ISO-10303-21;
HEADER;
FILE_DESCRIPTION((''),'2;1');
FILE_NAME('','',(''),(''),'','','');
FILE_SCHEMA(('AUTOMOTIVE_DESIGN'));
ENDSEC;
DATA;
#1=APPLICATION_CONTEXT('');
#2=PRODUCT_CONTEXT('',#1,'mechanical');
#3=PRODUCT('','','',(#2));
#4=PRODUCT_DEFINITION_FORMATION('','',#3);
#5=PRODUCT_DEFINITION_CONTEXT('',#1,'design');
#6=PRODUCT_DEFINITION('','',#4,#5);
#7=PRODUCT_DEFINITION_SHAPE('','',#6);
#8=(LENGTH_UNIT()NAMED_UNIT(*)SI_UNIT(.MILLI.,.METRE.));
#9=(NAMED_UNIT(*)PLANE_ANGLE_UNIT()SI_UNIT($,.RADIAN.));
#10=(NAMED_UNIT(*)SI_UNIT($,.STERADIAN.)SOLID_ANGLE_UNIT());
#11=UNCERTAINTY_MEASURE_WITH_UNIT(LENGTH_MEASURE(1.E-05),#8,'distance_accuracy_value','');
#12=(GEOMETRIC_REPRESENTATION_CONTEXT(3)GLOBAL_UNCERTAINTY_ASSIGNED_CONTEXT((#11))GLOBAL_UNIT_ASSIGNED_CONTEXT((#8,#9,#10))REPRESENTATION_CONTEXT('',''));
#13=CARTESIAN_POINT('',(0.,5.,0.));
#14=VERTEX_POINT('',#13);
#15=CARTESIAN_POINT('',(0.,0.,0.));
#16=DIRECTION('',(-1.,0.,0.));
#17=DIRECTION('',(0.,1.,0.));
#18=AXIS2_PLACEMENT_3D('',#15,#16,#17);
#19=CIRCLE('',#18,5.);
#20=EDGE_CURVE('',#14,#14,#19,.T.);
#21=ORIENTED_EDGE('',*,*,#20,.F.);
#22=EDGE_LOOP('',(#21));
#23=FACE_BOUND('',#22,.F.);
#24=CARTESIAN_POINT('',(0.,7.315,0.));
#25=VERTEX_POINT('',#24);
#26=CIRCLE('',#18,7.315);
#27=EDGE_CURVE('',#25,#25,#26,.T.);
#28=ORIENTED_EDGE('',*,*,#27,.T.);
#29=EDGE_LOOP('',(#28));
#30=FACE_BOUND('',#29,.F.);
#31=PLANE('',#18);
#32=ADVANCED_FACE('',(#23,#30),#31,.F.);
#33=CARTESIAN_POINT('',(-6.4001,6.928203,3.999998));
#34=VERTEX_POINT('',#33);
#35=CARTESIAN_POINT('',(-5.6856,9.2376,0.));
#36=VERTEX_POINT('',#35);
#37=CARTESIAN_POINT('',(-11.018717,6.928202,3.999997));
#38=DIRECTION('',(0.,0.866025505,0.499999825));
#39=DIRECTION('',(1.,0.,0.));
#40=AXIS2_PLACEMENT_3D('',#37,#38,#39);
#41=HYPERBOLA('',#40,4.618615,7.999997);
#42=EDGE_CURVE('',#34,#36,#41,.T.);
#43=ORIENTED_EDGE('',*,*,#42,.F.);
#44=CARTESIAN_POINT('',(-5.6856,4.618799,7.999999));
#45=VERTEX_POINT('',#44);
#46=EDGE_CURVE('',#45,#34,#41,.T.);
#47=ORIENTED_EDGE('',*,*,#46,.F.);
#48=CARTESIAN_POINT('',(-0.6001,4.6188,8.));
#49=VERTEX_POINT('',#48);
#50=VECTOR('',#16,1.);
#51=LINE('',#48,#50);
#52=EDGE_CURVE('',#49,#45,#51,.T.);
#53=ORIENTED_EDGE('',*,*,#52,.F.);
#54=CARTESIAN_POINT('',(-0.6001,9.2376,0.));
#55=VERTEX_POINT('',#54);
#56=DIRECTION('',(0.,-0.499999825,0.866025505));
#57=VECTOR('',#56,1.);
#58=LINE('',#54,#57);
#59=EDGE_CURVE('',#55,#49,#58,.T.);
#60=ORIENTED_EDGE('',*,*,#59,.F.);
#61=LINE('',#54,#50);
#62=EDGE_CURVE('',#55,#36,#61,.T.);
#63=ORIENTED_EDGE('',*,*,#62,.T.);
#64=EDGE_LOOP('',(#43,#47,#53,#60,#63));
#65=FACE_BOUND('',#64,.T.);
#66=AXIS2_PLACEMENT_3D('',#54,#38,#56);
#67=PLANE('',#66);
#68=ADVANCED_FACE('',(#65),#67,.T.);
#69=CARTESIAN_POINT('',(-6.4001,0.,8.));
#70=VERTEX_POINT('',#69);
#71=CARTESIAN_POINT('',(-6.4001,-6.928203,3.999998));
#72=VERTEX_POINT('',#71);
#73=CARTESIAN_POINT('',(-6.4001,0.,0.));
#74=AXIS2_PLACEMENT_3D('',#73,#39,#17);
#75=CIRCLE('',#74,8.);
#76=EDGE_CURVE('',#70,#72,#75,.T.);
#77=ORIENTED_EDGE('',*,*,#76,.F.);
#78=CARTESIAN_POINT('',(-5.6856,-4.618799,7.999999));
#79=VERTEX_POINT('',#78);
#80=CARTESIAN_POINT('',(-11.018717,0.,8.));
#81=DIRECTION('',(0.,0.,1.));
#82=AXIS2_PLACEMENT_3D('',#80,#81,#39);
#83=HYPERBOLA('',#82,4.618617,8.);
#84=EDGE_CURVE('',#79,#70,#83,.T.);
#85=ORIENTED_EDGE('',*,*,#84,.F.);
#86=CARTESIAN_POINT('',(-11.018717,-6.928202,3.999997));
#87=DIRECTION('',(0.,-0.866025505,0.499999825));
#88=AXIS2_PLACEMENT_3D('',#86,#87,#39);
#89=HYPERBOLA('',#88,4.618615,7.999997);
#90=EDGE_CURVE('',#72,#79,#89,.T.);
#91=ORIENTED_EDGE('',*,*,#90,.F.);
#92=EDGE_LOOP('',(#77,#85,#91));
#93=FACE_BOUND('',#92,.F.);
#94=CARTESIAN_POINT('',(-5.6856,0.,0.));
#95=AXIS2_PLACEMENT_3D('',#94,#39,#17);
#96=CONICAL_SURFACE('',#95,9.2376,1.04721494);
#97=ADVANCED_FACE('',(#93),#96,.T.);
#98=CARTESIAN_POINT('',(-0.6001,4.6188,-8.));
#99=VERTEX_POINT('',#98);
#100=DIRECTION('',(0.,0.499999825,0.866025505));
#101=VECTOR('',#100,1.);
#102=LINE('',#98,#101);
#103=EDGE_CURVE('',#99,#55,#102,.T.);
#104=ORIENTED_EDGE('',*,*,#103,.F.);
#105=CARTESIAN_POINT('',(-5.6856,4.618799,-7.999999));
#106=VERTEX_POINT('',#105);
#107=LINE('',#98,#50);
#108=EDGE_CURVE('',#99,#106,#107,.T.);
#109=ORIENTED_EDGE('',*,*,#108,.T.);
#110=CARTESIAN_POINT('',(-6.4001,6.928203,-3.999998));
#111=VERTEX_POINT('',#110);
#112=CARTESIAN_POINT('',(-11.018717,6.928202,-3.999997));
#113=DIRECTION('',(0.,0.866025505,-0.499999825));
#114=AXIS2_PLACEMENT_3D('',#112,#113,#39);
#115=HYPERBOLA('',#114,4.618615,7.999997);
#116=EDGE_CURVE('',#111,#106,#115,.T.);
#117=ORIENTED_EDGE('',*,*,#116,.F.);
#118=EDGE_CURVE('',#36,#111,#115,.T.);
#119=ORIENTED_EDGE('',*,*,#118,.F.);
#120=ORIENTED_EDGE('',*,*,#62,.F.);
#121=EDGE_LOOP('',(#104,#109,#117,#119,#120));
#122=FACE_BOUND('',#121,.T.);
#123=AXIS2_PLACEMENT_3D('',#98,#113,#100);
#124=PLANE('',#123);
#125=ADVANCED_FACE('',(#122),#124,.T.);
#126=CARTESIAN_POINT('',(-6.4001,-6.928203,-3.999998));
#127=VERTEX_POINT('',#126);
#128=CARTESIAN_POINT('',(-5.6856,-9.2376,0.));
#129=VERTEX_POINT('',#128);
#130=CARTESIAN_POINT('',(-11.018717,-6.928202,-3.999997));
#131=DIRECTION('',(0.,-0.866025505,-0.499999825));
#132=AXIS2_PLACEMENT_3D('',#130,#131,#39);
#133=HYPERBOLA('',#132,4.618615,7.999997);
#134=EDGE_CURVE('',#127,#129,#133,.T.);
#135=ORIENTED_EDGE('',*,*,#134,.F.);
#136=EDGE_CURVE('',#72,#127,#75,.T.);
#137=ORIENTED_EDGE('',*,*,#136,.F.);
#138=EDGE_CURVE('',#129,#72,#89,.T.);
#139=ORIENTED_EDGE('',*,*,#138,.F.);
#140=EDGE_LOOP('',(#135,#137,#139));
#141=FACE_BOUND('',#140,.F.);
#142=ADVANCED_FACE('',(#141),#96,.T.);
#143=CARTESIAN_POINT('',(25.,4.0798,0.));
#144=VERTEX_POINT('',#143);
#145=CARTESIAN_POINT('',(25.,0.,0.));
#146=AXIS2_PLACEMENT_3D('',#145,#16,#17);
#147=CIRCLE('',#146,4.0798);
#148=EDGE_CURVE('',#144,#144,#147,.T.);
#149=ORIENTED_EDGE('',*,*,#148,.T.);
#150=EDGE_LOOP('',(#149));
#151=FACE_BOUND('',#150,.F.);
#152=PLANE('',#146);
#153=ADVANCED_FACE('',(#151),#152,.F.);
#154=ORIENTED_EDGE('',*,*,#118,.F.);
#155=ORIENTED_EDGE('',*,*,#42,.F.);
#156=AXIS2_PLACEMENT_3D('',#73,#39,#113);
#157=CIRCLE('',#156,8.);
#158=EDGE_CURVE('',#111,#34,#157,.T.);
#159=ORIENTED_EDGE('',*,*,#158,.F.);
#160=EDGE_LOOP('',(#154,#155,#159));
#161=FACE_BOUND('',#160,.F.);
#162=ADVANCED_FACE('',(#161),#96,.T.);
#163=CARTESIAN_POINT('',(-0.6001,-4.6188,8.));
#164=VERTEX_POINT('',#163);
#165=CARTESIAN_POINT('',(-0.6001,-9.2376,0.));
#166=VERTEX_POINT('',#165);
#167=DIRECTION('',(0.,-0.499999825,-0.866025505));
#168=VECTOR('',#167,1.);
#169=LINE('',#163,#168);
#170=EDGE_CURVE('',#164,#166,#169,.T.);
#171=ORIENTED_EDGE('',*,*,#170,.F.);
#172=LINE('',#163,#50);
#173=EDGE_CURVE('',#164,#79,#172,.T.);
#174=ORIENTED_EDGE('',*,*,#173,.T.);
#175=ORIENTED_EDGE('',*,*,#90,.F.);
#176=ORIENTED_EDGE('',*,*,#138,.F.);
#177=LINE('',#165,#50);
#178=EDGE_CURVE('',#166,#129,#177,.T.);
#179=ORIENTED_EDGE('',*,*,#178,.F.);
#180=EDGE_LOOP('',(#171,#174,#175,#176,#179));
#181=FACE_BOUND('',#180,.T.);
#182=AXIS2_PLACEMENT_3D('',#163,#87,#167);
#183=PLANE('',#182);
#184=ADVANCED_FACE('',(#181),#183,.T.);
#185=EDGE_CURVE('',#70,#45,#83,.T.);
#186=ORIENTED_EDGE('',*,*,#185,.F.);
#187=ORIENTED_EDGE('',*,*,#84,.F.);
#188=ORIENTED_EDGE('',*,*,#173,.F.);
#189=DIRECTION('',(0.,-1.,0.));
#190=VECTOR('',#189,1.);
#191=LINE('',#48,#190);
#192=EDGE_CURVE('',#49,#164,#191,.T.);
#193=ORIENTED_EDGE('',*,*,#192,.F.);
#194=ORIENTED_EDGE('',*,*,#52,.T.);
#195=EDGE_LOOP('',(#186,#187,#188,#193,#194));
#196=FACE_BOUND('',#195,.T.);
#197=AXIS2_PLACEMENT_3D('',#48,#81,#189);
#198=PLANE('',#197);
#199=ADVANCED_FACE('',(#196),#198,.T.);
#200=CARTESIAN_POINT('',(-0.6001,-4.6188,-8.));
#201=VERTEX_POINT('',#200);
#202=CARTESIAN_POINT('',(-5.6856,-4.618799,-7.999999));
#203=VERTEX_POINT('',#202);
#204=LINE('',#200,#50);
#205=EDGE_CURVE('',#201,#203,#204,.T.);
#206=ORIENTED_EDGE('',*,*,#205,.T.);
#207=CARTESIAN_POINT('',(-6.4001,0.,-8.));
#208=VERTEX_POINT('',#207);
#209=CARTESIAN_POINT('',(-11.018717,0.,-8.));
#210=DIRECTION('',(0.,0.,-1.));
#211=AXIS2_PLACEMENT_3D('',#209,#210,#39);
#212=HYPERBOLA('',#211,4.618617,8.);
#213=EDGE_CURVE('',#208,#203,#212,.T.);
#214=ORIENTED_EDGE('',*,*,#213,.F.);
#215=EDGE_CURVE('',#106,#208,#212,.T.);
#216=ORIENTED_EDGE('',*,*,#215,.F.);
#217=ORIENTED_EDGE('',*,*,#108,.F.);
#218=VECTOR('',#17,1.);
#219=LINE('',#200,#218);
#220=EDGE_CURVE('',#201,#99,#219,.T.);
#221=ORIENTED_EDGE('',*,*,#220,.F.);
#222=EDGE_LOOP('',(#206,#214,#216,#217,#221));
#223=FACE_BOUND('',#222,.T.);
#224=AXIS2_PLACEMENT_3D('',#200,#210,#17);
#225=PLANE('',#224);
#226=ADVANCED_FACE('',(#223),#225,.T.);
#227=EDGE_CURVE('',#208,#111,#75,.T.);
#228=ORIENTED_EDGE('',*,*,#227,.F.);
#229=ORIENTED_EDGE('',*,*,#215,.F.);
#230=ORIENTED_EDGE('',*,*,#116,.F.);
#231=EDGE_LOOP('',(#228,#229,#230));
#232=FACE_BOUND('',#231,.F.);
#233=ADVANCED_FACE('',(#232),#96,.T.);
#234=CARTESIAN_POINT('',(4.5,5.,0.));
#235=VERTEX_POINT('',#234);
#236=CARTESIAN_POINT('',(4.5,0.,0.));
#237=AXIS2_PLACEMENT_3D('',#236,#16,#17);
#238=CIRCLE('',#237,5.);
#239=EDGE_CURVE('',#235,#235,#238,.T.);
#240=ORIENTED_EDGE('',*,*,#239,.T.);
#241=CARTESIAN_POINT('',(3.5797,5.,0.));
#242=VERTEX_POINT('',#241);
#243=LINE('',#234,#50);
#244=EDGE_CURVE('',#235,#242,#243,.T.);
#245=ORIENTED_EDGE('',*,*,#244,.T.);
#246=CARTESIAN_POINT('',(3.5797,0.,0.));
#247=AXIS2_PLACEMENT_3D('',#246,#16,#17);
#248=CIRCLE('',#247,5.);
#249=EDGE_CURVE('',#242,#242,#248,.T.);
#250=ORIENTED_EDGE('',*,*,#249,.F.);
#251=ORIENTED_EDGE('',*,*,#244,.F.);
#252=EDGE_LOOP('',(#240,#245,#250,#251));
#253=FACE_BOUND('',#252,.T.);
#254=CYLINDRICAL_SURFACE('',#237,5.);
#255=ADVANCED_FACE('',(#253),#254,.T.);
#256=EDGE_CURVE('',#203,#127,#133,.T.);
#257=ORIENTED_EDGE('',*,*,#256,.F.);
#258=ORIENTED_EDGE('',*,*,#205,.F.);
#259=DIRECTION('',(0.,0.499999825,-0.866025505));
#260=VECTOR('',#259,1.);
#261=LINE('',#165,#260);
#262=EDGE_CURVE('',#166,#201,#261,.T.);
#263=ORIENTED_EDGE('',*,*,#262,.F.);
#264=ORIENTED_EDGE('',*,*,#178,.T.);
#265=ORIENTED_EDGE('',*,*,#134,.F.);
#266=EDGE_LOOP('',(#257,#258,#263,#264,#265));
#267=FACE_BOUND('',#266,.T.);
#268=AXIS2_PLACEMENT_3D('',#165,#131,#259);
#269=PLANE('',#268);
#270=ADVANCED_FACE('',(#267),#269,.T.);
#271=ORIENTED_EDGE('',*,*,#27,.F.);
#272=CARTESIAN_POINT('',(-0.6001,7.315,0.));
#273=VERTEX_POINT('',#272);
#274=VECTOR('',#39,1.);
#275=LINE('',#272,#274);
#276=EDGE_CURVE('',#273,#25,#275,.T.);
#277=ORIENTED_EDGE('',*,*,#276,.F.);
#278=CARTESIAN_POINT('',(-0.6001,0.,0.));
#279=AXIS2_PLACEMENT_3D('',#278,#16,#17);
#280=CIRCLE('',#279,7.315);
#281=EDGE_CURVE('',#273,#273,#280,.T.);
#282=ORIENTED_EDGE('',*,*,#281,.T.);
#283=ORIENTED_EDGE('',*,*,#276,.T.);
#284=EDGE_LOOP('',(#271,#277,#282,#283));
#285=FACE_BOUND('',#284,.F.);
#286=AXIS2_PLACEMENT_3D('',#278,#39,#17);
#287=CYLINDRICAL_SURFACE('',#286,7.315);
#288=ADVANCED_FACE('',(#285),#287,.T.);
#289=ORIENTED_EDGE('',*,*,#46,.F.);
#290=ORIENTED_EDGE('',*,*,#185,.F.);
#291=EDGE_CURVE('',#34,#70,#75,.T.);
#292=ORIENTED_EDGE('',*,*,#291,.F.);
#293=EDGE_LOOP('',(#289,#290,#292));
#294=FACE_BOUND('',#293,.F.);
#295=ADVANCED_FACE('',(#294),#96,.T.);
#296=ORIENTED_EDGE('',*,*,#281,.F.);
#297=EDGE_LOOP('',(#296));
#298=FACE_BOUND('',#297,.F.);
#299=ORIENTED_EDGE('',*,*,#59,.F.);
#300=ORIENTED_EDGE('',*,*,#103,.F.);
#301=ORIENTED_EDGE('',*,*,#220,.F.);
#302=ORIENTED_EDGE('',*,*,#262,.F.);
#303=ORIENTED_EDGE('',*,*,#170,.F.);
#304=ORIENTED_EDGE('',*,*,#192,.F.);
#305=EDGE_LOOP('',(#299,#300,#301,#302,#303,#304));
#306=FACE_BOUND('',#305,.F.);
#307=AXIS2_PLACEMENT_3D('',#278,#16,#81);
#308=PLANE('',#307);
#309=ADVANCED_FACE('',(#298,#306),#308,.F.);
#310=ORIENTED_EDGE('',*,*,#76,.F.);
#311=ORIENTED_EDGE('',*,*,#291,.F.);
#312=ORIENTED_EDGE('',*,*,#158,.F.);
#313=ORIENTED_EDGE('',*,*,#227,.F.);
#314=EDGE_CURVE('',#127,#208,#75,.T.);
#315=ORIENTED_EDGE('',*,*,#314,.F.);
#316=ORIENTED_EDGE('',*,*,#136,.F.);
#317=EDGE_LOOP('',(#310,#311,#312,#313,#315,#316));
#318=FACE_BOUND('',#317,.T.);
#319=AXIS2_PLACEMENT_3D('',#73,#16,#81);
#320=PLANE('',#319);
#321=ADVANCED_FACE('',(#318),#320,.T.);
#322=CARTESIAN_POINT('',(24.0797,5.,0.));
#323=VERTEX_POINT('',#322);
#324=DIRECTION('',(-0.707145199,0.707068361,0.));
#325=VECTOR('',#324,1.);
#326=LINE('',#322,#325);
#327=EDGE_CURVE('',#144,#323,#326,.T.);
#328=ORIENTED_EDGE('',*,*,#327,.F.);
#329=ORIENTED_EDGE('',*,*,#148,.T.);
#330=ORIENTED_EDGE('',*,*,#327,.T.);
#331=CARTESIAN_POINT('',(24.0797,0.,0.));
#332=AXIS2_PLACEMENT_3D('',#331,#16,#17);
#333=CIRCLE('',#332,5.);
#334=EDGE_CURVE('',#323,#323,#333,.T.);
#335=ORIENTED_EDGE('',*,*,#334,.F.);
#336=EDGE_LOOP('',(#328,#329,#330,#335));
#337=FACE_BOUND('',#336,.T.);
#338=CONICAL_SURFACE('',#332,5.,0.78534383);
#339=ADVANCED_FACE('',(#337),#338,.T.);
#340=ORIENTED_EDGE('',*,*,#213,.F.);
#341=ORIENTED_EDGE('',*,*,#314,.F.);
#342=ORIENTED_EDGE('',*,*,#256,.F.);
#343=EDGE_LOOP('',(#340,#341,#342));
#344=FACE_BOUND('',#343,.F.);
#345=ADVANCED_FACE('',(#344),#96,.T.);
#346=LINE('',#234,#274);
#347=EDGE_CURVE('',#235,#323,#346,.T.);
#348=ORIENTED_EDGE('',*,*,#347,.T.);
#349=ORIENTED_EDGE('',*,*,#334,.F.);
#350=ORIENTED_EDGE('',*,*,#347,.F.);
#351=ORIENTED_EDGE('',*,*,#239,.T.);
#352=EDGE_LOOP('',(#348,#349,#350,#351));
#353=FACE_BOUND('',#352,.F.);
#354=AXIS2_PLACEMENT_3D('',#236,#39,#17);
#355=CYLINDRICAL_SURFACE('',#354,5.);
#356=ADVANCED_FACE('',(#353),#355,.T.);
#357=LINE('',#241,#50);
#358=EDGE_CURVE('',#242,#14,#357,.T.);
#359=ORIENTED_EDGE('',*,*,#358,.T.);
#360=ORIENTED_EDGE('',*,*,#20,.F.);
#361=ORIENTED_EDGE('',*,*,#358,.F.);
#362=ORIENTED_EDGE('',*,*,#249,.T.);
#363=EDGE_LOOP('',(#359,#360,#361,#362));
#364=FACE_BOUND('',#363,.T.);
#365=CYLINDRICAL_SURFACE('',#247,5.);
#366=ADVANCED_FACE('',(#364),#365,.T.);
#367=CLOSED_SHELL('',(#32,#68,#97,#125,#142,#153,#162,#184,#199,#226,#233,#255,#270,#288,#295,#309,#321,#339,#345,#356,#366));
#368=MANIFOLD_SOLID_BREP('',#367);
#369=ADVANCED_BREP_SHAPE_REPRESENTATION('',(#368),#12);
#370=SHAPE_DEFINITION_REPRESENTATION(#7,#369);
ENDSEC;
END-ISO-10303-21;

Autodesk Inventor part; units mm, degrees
ref_plane "YZ Plane" through (0, 0, 0) normal (1, 0, 0) x (0, 1, 0)
ref_plane "XZ Plane" through (0, 0, 0) normal (0, 1, 0) x (-1, 0, 0)
sketch "Sketch1" plane through (0, 0, 0) normal (0, 0, 1) x (1, 0, 0)
  line L0 (0, 7.315) -> (0, 5)
  line L1 (4.5, 5) -> (25, 5)
  line L2 (25, 5) -> (25, 0)
  line L3 (25, 0) -> (-0.6001, 0)
  line L4 (-5.7201, 0) -> (30.12, 0) projected
  line L5 (-0.6001, 0) -> (-0.6001, 7.315)
  line L6 (-0.6001, 7.315) -> (0, 7.315)
  line L7 (4.5, 5) -> (3.5797, 5)
  line L8 (3.5797, 5) -> (0, 5)
  line L9 (0, -1.463) -> (0, 8.778) projected
  dimension "d0" = 25
  dimension "d1" = 20.5
  dimension "d2" = 10
  dimension "d9" = 0.6001
  dimension "d10" = 14.63
  dimension "d13" = 0.9203
  dimension "d14" = 10
revolve "Body" add sketch "Sketch1" angle 360 about axis through (25, 0, 0) along (-1, 0, 0)
sketch "Sketch2" plane through (-0.6001, 0, 0) normal (-1, 0, 0) x (0, 0, 1)
  line L0 (0, 9.2376) -> (8, 4.6188)
  line L1 (8, 4.6188) -> (8, -4.6188)
  line L2 (8, -4.6188) -> (0, -9.2376)
  line L3 (0, -9.2376) -> (-8, -4.6188)
  line L4 (-8, -4.6188) -> (-8, 4.6188)
  line L5 (-8, 4.6188) -> (0, 9.2376)
  point P0 (0, 0)
  point P1 (0, 0)
  dimension "d11" = 16
extrude "Head" add sketch "Sketch2" along normal blind 5.8
sketch "Sketch4" plane through (0, 0, 0) normal (0, 0, 1) x (1, 0, 0)
  line L0 (-6.4001, 8) -> (-6.4001, 9.2376)
  line L1 (-6.4001, 9.2376) -> (-5.6856, 9.2376)
  line L2 (-5.6856, 9.2376) -> (-6.4001, 8)
  line L3 (-7.5601, 0) -> (0.5599, 0) projected
  line L4 (-0.6001, 9.2376) -> (-6.4001, 9.2376) projected
  line L5 (-6.4001, 4.6188) -> (-6.4001, 9.2376) projected
  dimension "d5" = 30
  dimension "d19" = 16
revolve "Chamfer1" cut sketch "Sketch4" angle 360 about axis through (-10, 0, 0) along (1, 0, 0)
thread "Thread" size "M10x1.5" class "6g" standard "ISO Metric profile" length 20.5
chamfer "Chamfer2" distance 0.9202 distance2 0.9203 1 edges at (25, -5, 0) measured on face at (25, 1.974, 0.2121)
ref_plane "Work Plane1" through (1.525, 0, 0) normal (0, 0, 1) x (1, 0, 0)
equation "\"d11\" = SW"
equation "\"d3\" = KOH - SD"
equation "\"d15\" = GEL"
equation "\"d6\" = -0.5 * SPD + 0.5 * GD"
equation "\"d0\" = NLG"
equation "\"d1\" = GEL"
equation "\"d2\" = GD"
equation "\"d10\" = SD2"
equation "\"d14\" = BDM"
equation "\"d5\" = ANG1"
equation "\"d19\" = SW0"
equation "\"NLG\" = 25"
equation "\"GD\" = NND"
equation "\"BDM\" = NND"
equation "\"KOH\" = 6.4"
equation "\"GEL\" = 20.5"
equation "\"SW\" = 16"
equation "\"SW0\" = SW"
equation "\"SPD\" = NND - 1.2269 * PTC"
equation "\"SD2\" = 14.63"
equation "\"SD\" = 0.6"
equation "\"ANG1\" = 30deg"
equation "\"GAL\" = 0.61345 * PTC"
equation "\"GUL\" = 0.61345 * PTC"
equation "\"RR\" = 0.4"
equation "\"GD1\" = THREADDIA - 1.2269 * PTC"
equation "\"SDH\" = SD2"
equation "\"SDHG\" = 4.5"
equation "\"TOA\" = 30deg"
equation "\"PTC\" = 1.5"
equation "\"E0\" = 18.48"
equation "\"NND\" = 10"
equation "\"THREADDIA\" = 10"
properties part number "ISO 4017 - M10 x 25" material "Steel, Mild"
